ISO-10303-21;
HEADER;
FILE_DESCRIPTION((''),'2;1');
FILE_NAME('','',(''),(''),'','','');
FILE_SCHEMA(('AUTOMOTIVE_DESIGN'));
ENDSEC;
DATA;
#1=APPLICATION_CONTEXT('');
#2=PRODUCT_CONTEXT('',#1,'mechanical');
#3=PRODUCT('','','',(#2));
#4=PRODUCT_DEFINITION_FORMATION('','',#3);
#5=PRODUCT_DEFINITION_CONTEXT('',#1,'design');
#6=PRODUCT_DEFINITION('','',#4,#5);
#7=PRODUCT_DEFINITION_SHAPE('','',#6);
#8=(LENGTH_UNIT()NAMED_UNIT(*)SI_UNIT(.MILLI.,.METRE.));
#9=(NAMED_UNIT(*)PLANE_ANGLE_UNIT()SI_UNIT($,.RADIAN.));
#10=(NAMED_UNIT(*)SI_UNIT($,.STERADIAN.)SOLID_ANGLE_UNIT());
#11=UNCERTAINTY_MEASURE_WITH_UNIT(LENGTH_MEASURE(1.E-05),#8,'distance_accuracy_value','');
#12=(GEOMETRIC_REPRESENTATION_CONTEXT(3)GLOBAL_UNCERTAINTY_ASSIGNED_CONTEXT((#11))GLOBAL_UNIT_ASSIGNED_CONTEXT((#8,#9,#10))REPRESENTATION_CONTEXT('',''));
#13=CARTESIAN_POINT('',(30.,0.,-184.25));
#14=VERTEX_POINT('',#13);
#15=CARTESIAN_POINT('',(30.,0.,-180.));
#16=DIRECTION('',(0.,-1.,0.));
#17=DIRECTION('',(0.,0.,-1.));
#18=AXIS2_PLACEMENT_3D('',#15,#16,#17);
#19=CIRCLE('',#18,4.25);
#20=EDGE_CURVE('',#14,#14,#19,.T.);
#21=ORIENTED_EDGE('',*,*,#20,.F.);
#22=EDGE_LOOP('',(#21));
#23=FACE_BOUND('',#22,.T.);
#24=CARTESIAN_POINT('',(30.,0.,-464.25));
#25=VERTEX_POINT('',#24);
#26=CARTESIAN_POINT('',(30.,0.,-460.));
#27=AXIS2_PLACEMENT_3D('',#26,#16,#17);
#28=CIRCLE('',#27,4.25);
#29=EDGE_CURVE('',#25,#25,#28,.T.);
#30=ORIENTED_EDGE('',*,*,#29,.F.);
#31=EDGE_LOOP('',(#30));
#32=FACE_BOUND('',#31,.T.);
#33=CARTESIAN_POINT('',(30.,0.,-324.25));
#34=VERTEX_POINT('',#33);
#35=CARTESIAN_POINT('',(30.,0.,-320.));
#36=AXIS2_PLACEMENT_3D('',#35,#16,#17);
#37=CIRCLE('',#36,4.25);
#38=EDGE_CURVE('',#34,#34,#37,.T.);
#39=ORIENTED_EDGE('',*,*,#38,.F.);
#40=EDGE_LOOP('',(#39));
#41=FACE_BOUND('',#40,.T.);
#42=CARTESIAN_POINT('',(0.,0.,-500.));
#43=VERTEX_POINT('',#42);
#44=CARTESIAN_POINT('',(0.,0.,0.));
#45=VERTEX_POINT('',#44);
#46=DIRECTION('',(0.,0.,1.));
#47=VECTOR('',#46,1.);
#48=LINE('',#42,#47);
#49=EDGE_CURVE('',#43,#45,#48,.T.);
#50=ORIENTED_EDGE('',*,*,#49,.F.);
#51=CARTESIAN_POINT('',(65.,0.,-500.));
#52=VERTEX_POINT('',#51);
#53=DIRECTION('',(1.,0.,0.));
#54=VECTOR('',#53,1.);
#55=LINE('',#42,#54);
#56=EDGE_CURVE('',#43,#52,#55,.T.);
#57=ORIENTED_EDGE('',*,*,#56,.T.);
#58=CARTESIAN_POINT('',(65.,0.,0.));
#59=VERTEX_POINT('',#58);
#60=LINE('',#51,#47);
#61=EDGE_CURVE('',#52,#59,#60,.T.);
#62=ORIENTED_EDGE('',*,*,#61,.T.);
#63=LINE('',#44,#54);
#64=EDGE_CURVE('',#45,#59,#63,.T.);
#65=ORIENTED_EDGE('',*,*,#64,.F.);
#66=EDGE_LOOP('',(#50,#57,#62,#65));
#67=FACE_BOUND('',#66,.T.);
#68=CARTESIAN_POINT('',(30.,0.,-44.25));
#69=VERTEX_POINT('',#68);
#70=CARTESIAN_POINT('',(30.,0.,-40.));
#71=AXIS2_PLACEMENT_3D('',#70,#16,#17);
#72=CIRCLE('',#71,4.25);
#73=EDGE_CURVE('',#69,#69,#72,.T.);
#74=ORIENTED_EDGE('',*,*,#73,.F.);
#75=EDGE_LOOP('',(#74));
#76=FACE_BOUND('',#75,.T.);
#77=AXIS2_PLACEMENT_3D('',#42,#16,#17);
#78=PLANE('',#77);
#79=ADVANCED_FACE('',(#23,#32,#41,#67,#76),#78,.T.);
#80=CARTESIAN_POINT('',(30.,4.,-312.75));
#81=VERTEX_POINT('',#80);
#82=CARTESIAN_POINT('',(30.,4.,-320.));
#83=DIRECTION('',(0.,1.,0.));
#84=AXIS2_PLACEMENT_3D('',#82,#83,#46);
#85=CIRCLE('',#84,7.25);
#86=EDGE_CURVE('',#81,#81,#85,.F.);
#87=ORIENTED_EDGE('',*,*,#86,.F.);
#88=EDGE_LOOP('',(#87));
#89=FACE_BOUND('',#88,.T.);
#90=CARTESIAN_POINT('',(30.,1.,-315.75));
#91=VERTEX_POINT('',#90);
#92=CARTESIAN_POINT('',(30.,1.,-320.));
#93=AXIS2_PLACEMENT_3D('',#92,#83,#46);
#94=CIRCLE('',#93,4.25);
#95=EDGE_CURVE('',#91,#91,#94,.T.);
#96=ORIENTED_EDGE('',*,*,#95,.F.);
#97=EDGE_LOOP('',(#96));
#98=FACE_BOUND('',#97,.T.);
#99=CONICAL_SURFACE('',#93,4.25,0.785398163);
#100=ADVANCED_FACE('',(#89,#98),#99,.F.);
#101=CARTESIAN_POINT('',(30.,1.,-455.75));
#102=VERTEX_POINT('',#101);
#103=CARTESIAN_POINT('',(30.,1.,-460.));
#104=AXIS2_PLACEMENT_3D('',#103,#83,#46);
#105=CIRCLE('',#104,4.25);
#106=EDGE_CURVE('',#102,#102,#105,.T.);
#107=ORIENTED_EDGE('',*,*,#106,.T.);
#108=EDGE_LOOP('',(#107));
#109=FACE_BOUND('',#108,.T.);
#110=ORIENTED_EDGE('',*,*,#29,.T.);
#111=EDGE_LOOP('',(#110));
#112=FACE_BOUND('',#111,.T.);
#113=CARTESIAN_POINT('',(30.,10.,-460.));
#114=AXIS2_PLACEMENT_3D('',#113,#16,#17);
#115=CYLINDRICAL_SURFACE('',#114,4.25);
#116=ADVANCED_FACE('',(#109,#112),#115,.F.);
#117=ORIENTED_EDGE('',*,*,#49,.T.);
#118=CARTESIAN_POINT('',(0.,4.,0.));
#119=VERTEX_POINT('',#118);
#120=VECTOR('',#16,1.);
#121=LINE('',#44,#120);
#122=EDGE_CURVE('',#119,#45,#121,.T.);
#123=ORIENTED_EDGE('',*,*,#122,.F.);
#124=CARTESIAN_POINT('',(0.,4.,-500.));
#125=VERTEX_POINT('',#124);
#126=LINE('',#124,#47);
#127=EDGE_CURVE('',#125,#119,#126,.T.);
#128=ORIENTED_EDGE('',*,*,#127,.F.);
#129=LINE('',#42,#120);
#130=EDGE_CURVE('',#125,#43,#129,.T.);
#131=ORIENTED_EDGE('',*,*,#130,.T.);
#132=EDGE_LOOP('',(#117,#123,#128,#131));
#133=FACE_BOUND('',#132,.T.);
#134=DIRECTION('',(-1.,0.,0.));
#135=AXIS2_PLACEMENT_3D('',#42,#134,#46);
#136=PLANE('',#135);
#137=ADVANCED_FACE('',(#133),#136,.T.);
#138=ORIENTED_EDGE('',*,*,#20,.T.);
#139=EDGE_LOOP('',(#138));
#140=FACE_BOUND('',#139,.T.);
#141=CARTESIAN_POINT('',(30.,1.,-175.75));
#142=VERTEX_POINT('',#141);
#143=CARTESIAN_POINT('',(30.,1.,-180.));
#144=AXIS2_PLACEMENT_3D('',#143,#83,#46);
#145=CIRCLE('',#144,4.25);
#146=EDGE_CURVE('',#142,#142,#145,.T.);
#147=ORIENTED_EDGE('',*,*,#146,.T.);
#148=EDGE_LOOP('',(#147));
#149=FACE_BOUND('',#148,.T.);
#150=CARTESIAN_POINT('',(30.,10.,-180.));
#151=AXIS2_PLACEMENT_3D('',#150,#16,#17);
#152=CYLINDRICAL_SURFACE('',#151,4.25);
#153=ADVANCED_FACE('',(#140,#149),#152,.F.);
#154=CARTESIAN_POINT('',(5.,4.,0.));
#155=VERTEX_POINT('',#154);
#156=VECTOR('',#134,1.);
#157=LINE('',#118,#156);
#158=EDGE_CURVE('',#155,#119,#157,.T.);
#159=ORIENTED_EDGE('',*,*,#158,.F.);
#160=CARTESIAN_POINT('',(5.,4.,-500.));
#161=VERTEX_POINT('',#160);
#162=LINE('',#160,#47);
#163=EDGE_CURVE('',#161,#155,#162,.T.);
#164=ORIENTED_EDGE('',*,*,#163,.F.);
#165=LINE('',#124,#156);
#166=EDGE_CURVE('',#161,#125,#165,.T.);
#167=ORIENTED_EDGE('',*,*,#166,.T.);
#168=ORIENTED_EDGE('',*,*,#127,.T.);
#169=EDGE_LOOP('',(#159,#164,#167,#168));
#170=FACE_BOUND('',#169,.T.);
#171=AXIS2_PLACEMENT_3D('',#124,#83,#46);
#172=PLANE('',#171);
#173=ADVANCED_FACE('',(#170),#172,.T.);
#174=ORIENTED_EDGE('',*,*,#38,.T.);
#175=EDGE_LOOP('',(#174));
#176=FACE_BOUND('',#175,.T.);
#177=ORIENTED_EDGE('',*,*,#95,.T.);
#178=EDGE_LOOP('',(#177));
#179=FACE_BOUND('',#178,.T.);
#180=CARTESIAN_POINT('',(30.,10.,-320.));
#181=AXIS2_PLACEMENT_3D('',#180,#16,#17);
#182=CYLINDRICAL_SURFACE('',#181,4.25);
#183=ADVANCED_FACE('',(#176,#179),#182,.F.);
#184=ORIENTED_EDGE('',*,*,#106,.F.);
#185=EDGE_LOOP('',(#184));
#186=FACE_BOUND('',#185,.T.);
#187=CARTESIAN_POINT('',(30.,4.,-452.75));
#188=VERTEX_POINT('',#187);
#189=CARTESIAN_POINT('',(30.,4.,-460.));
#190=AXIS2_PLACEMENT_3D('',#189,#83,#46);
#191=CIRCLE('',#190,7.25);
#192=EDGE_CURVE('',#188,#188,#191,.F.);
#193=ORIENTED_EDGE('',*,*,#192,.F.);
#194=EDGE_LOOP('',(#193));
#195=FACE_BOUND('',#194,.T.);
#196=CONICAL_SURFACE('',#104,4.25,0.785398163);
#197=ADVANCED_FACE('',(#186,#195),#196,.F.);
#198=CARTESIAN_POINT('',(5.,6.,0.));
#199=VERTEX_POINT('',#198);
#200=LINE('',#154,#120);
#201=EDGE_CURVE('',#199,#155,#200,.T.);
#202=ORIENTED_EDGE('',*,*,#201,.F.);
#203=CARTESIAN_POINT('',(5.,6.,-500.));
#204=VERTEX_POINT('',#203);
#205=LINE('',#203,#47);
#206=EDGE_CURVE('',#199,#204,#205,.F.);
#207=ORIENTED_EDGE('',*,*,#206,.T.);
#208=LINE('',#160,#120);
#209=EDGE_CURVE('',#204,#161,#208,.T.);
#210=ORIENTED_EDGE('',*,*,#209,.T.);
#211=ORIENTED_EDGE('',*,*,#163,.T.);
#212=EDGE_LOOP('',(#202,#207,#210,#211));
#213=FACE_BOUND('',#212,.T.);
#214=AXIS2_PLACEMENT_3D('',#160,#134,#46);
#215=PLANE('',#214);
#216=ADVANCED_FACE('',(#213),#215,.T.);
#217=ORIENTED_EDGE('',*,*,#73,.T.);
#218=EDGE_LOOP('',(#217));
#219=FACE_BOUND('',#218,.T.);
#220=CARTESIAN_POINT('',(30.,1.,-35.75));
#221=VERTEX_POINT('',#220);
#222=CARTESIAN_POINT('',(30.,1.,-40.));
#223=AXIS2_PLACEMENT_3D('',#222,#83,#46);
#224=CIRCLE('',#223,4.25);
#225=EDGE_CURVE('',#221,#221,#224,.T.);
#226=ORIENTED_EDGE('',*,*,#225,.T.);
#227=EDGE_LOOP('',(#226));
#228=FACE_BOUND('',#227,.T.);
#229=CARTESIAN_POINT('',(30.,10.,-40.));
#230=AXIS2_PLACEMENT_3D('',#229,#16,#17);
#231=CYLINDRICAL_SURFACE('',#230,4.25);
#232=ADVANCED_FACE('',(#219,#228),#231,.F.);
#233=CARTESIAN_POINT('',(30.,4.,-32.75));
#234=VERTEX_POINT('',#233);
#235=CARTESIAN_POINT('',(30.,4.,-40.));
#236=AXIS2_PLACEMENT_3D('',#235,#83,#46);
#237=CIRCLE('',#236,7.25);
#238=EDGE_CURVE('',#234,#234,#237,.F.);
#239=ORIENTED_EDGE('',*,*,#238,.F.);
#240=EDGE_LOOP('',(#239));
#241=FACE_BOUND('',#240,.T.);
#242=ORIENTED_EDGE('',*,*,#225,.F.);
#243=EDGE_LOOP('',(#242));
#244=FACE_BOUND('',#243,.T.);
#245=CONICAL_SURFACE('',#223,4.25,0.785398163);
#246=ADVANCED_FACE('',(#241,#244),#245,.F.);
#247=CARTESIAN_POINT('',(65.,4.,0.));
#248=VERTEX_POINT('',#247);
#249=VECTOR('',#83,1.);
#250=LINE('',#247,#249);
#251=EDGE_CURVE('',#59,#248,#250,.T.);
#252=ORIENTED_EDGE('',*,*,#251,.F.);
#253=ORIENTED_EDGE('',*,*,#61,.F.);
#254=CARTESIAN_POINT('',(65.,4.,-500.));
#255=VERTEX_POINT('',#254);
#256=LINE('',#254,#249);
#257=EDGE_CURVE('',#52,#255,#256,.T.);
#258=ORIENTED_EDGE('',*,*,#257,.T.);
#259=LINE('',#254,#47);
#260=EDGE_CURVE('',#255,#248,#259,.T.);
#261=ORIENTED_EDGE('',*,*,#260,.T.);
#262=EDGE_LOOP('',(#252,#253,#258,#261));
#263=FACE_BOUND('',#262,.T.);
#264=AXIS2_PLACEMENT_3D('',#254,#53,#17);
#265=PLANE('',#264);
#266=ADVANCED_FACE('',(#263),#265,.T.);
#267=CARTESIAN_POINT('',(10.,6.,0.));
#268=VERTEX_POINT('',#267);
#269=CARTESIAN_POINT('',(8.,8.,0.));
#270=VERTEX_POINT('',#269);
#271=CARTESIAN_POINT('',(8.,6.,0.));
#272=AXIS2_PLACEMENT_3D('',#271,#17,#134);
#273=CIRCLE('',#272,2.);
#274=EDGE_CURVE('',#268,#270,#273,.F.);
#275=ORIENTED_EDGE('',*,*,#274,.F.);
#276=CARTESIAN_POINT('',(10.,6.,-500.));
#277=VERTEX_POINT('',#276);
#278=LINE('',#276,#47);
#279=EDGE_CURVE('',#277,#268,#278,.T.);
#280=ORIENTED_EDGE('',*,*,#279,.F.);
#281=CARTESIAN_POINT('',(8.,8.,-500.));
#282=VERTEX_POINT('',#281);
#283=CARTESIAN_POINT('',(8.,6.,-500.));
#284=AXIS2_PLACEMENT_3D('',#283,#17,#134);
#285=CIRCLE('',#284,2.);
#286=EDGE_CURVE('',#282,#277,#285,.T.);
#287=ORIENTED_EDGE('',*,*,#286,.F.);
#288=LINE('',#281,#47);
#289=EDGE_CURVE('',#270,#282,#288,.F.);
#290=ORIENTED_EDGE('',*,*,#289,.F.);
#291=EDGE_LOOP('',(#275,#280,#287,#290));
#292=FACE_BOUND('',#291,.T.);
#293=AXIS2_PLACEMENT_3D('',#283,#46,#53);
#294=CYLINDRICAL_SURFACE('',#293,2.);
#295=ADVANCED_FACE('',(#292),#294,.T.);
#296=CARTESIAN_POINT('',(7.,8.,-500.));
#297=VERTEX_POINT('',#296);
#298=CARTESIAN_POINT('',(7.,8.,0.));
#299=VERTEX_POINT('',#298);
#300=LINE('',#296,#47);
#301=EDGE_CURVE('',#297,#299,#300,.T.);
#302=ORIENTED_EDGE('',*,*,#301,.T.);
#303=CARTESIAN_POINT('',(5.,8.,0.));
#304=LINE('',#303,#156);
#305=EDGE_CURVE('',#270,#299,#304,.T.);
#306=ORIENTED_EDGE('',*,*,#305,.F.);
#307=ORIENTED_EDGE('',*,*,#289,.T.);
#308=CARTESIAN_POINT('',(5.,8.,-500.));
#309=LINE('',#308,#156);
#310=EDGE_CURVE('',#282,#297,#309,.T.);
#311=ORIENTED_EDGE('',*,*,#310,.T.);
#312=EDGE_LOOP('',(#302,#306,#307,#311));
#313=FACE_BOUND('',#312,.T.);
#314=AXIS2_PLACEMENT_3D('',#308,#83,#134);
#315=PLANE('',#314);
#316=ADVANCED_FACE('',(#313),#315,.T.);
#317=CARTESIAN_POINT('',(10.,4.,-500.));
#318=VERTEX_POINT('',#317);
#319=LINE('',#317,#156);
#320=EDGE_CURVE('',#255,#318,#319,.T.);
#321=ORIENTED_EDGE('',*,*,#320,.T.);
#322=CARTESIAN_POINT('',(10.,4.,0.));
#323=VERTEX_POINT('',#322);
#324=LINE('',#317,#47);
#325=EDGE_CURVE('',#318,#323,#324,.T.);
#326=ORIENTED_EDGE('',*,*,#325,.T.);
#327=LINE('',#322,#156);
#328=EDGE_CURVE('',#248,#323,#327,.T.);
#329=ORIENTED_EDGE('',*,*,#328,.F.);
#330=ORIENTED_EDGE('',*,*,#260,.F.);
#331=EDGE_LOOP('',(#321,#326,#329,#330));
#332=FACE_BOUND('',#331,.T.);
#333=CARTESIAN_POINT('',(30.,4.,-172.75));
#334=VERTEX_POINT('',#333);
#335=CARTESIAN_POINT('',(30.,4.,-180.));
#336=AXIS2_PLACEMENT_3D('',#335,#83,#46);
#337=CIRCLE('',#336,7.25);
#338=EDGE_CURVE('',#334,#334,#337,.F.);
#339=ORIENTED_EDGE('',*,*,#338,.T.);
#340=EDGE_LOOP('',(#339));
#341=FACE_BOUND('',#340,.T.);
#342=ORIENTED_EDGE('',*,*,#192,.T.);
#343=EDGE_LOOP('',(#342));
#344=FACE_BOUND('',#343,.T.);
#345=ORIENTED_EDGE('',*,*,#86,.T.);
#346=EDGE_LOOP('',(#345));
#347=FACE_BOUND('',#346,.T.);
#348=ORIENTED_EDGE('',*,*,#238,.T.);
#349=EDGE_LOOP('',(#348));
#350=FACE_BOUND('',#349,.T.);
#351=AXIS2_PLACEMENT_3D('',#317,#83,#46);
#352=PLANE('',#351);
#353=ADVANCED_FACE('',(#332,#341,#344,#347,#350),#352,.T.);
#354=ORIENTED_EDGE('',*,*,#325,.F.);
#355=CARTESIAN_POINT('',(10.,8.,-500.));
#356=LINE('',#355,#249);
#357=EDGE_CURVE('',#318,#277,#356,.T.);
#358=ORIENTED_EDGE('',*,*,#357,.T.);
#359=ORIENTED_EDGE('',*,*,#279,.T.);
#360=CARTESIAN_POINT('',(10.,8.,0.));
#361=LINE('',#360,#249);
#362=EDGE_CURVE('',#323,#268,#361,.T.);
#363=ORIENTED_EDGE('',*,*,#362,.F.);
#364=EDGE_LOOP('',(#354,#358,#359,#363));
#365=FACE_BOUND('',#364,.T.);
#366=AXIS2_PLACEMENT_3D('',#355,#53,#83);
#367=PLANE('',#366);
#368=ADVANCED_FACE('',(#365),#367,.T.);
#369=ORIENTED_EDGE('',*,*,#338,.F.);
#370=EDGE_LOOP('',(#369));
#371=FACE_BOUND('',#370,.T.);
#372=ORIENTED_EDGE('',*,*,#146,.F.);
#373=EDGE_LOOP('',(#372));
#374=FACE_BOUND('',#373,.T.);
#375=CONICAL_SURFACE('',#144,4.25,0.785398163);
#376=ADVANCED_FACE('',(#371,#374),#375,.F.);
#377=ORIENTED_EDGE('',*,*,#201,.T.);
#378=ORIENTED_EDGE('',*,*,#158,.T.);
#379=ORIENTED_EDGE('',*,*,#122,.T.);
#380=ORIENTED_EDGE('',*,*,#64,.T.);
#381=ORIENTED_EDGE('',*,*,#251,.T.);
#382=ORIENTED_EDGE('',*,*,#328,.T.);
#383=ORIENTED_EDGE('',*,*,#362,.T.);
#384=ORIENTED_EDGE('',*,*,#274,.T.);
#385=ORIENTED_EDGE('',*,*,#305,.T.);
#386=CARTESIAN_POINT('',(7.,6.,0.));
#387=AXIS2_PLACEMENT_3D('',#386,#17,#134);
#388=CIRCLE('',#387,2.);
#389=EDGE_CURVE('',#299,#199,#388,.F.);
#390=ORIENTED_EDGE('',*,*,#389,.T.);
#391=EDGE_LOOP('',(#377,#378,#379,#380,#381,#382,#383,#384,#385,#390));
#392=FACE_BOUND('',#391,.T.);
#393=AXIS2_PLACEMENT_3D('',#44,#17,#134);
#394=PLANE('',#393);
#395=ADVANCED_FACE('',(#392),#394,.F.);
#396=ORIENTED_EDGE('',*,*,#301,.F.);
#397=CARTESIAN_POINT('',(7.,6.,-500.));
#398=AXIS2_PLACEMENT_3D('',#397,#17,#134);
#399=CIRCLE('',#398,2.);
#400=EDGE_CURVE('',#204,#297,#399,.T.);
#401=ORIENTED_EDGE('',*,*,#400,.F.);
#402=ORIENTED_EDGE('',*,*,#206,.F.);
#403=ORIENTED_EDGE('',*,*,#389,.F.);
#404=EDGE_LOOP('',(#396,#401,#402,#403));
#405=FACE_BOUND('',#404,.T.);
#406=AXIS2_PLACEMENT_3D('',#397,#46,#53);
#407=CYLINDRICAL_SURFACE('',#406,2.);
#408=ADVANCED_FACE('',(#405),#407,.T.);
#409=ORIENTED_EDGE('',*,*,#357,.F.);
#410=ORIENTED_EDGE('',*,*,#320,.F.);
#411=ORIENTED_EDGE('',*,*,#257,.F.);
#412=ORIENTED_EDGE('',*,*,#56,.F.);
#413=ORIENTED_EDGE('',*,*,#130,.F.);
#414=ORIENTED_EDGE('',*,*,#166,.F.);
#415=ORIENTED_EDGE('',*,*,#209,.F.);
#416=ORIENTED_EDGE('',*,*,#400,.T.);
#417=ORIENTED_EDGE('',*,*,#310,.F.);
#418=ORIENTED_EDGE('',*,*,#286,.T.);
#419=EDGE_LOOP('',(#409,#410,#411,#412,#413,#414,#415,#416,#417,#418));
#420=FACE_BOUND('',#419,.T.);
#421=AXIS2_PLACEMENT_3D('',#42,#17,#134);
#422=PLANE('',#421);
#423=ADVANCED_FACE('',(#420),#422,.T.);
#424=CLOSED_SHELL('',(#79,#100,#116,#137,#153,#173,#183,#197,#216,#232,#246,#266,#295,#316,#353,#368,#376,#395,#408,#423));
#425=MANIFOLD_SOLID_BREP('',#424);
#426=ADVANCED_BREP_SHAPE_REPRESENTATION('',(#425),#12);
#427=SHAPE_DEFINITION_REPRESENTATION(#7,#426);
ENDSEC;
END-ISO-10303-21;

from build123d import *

# Parameters (mm, degrees)
Y_KSEKLIK_EKSTR_ZYON1_DEPTH = 500
RADYUS1_R                   = 2
IZIM2_R                     = 4.25
KES_EKSTR_ZYON1_DEPTH       = 10
PAH1_SIZE                   = 3


with BuildPart() as part:
    # Çizim1 → Yükseklik-Ekstrüzyon1 (new body)
    with BuildSketch(Plane.XY):
        Polygon((0, 0), (65, 0), (65, 4), (10, 4), (10, 8), (5, 8), (5, 4), (0, 4), align=None)
    extrude(amount=-Y_KSEKLIK_EKSTR_ZYON1_DEPTH)

    # Radyus1
    radyus1_edges = [part.edges().sort_by_distance(p)[0] for p in [
        (5, 8, -250),
        (10, 8, -250),
    ]]
    fillet(radyus1_edges, radius=RADYUS1_R)

    # Çizim2 → Kes-Ekstrüzyon1 (cut)
    with BuildSketch(Plane.XZ):
        with Locations(Location((30, -40, 0), (0, 0, 270))):
            Circle(IZIM2_R)
        with Locations(Location((30, -180, 0), (0, 0, 270))):
            Circle(IZIM2_R)
        with Locations(Location((30, -320, 0), (0, 0, 270))):
            Circle(IZIM2_R)
        with Locations(Location((30, -460, 0), (0, 0, 270))):
            Circle(IZIM2_R)
    extrude(amount=-KES_EKSTR_ZYON1_DEPTH, mode=Mode.SUBTRACT)

    # Pah1
    pah1_edges = [part.edges().sort_by_distance(p)[0] for p in [
        (30, 4, -35.75),
        (30, 4, -175.75),
        (30, 4, -315.75),
        (30, 4, -455.75),
    ]]
    chamfer(pah1_edges, length=PAH1_SIZE)


solid = part.part
